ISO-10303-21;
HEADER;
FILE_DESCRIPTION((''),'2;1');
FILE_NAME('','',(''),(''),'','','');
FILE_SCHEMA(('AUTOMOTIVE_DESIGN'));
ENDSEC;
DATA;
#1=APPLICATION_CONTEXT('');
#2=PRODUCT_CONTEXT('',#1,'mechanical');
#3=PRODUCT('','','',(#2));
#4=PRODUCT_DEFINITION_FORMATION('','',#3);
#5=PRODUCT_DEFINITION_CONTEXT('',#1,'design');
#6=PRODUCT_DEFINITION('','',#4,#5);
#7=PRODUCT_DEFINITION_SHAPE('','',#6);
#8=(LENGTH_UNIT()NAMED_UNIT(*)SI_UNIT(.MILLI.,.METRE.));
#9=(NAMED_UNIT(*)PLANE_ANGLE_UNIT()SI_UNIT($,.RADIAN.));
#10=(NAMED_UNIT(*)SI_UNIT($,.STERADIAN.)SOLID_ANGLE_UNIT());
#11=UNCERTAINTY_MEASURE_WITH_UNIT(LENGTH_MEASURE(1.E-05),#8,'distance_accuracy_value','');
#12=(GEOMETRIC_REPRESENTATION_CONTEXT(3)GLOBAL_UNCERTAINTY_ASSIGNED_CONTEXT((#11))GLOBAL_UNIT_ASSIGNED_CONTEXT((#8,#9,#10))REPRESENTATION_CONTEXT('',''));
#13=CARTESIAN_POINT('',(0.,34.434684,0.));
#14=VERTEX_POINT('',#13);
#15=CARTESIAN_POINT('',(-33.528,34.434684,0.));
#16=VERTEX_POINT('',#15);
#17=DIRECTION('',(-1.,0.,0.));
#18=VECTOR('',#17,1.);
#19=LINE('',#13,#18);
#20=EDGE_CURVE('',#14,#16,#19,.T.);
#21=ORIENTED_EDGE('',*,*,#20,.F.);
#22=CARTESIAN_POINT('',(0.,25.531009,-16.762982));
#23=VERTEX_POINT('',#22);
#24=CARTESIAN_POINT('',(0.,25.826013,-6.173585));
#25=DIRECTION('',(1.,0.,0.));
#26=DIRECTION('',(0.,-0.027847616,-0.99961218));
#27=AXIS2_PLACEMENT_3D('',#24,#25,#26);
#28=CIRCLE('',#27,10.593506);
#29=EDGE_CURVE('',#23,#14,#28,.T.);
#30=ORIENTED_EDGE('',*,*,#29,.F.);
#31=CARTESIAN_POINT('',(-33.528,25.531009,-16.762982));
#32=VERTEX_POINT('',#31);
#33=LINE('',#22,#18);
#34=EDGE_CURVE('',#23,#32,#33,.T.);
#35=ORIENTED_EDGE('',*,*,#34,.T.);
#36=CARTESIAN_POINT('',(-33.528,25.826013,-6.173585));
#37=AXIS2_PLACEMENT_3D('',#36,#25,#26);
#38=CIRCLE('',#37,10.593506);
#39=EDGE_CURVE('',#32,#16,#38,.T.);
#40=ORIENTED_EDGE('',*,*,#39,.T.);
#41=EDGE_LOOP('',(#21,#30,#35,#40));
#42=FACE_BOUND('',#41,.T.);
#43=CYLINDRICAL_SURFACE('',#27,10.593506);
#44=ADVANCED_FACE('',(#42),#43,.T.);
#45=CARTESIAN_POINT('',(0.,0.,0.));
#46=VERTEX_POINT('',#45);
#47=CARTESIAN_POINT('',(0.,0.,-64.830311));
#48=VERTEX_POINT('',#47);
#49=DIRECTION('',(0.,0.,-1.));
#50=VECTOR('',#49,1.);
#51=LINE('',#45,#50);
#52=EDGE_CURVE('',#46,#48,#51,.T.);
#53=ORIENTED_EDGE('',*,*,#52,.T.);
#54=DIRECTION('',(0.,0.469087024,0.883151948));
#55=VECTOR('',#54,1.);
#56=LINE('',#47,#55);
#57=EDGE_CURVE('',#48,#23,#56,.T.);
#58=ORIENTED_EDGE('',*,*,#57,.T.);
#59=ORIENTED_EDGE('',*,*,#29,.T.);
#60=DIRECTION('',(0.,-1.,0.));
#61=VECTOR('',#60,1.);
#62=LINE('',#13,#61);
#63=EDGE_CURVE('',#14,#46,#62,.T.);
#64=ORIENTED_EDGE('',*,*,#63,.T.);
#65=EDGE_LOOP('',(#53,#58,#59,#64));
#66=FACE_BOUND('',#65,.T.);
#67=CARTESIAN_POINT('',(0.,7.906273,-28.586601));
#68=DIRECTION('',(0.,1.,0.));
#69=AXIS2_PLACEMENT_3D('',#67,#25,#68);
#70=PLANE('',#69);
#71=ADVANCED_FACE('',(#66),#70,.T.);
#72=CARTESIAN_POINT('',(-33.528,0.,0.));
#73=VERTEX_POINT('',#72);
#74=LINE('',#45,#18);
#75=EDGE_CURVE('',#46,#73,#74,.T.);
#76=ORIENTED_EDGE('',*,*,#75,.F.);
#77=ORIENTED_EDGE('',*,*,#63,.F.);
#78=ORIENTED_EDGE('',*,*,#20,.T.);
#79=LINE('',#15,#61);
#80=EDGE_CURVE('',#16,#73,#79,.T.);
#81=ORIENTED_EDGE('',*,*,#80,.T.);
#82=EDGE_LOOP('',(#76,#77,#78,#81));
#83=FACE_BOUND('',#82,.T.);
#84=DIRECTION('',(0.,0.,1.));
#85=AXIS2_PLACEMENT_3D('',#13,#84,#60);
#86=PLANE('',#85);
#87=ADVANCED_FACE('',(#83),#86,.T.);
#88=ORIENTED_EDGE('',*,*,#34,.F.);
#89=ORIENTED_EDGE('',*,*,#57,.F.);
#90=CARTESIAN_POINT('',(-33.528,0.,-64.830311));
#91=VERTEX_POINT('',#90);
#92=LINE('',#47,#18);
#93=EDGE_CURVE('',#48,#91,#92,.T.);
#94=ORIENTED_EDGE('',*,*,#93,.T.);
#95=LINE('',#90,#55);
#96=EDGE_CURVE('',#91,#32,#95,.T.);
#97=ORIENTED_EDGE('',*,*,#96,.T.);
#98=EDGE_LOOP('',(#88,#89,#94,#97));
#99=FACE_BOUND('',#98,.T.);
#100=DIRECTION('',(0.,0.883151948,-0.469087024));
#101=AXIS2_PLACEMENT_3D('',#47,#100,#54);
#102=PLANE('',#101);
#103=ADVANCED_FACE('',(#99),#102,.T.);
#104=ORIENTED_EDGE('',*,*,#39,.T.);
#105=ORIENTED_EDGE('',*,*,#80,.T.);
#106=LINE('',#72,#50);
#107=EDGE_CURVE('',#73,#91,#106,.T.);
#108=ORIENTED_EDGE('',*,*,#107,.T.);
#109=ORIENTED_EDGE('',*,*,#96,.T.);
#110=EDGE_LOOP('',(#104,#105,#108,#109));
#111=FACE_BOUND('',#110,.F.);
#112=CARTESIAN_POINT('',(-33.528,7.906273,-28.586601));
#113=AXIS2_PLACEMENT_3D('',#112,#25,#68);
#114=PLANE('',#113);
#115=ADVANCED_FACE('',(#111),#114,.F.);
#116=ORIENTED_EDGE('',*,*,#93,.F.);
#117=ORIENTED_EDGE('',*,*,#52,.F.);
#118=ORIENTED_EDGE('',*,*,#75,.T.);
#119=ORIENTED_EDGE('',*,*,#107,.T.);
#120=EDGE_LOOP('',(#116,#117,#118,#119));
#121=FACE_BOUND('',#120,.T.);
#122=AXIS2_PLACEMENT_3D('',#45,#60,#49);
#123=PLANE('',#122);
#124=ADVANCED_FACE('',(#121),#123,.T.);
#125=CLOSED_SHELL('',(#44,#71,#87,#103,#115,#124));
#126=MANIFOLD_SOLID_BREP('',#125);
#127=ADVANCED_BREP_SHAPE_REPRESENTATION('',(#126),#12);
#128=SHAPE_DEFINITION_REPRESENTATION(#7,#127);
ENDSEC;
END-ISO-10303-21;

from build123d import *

# Parameters (mm, degrees)
F1_DEPTH = 33.528


with BuildPart() as f1:
    # F0 (on Right) → F1 (new body)
    with BuildSketch(Plane.YZ):
        with BuildLine():
            Line((17.217342, 0), (0, 0))
            Line((0, 0), (0, -64.830311))
            Line((0, -64.830311), (25.531009, -16.762982))
            ThreePointArc((25.531009, -16.762982), (16.335584, -10.880401), (17.217342, 0))
        make_face()
        with BuildLine():
            Line((34.434684, 0), (17.217342, 0))
            ThreePointArc((17.217342, 0), (16.335584, -10.880401), (25.531009, -16.762982))
            Line((25.531009, -16.762982), (34.434684, 0))
        make_face()
        with BuildLine():
            ThreePointArc((25.531009, -16.762982), (35.181688, -11.142861), (34.434684, 0))
            Line((34.434684, 0), (25.531009, -16.762982))
        make_face()
    extrude(amount=-F1_DEPTH)


solid = f1.part
